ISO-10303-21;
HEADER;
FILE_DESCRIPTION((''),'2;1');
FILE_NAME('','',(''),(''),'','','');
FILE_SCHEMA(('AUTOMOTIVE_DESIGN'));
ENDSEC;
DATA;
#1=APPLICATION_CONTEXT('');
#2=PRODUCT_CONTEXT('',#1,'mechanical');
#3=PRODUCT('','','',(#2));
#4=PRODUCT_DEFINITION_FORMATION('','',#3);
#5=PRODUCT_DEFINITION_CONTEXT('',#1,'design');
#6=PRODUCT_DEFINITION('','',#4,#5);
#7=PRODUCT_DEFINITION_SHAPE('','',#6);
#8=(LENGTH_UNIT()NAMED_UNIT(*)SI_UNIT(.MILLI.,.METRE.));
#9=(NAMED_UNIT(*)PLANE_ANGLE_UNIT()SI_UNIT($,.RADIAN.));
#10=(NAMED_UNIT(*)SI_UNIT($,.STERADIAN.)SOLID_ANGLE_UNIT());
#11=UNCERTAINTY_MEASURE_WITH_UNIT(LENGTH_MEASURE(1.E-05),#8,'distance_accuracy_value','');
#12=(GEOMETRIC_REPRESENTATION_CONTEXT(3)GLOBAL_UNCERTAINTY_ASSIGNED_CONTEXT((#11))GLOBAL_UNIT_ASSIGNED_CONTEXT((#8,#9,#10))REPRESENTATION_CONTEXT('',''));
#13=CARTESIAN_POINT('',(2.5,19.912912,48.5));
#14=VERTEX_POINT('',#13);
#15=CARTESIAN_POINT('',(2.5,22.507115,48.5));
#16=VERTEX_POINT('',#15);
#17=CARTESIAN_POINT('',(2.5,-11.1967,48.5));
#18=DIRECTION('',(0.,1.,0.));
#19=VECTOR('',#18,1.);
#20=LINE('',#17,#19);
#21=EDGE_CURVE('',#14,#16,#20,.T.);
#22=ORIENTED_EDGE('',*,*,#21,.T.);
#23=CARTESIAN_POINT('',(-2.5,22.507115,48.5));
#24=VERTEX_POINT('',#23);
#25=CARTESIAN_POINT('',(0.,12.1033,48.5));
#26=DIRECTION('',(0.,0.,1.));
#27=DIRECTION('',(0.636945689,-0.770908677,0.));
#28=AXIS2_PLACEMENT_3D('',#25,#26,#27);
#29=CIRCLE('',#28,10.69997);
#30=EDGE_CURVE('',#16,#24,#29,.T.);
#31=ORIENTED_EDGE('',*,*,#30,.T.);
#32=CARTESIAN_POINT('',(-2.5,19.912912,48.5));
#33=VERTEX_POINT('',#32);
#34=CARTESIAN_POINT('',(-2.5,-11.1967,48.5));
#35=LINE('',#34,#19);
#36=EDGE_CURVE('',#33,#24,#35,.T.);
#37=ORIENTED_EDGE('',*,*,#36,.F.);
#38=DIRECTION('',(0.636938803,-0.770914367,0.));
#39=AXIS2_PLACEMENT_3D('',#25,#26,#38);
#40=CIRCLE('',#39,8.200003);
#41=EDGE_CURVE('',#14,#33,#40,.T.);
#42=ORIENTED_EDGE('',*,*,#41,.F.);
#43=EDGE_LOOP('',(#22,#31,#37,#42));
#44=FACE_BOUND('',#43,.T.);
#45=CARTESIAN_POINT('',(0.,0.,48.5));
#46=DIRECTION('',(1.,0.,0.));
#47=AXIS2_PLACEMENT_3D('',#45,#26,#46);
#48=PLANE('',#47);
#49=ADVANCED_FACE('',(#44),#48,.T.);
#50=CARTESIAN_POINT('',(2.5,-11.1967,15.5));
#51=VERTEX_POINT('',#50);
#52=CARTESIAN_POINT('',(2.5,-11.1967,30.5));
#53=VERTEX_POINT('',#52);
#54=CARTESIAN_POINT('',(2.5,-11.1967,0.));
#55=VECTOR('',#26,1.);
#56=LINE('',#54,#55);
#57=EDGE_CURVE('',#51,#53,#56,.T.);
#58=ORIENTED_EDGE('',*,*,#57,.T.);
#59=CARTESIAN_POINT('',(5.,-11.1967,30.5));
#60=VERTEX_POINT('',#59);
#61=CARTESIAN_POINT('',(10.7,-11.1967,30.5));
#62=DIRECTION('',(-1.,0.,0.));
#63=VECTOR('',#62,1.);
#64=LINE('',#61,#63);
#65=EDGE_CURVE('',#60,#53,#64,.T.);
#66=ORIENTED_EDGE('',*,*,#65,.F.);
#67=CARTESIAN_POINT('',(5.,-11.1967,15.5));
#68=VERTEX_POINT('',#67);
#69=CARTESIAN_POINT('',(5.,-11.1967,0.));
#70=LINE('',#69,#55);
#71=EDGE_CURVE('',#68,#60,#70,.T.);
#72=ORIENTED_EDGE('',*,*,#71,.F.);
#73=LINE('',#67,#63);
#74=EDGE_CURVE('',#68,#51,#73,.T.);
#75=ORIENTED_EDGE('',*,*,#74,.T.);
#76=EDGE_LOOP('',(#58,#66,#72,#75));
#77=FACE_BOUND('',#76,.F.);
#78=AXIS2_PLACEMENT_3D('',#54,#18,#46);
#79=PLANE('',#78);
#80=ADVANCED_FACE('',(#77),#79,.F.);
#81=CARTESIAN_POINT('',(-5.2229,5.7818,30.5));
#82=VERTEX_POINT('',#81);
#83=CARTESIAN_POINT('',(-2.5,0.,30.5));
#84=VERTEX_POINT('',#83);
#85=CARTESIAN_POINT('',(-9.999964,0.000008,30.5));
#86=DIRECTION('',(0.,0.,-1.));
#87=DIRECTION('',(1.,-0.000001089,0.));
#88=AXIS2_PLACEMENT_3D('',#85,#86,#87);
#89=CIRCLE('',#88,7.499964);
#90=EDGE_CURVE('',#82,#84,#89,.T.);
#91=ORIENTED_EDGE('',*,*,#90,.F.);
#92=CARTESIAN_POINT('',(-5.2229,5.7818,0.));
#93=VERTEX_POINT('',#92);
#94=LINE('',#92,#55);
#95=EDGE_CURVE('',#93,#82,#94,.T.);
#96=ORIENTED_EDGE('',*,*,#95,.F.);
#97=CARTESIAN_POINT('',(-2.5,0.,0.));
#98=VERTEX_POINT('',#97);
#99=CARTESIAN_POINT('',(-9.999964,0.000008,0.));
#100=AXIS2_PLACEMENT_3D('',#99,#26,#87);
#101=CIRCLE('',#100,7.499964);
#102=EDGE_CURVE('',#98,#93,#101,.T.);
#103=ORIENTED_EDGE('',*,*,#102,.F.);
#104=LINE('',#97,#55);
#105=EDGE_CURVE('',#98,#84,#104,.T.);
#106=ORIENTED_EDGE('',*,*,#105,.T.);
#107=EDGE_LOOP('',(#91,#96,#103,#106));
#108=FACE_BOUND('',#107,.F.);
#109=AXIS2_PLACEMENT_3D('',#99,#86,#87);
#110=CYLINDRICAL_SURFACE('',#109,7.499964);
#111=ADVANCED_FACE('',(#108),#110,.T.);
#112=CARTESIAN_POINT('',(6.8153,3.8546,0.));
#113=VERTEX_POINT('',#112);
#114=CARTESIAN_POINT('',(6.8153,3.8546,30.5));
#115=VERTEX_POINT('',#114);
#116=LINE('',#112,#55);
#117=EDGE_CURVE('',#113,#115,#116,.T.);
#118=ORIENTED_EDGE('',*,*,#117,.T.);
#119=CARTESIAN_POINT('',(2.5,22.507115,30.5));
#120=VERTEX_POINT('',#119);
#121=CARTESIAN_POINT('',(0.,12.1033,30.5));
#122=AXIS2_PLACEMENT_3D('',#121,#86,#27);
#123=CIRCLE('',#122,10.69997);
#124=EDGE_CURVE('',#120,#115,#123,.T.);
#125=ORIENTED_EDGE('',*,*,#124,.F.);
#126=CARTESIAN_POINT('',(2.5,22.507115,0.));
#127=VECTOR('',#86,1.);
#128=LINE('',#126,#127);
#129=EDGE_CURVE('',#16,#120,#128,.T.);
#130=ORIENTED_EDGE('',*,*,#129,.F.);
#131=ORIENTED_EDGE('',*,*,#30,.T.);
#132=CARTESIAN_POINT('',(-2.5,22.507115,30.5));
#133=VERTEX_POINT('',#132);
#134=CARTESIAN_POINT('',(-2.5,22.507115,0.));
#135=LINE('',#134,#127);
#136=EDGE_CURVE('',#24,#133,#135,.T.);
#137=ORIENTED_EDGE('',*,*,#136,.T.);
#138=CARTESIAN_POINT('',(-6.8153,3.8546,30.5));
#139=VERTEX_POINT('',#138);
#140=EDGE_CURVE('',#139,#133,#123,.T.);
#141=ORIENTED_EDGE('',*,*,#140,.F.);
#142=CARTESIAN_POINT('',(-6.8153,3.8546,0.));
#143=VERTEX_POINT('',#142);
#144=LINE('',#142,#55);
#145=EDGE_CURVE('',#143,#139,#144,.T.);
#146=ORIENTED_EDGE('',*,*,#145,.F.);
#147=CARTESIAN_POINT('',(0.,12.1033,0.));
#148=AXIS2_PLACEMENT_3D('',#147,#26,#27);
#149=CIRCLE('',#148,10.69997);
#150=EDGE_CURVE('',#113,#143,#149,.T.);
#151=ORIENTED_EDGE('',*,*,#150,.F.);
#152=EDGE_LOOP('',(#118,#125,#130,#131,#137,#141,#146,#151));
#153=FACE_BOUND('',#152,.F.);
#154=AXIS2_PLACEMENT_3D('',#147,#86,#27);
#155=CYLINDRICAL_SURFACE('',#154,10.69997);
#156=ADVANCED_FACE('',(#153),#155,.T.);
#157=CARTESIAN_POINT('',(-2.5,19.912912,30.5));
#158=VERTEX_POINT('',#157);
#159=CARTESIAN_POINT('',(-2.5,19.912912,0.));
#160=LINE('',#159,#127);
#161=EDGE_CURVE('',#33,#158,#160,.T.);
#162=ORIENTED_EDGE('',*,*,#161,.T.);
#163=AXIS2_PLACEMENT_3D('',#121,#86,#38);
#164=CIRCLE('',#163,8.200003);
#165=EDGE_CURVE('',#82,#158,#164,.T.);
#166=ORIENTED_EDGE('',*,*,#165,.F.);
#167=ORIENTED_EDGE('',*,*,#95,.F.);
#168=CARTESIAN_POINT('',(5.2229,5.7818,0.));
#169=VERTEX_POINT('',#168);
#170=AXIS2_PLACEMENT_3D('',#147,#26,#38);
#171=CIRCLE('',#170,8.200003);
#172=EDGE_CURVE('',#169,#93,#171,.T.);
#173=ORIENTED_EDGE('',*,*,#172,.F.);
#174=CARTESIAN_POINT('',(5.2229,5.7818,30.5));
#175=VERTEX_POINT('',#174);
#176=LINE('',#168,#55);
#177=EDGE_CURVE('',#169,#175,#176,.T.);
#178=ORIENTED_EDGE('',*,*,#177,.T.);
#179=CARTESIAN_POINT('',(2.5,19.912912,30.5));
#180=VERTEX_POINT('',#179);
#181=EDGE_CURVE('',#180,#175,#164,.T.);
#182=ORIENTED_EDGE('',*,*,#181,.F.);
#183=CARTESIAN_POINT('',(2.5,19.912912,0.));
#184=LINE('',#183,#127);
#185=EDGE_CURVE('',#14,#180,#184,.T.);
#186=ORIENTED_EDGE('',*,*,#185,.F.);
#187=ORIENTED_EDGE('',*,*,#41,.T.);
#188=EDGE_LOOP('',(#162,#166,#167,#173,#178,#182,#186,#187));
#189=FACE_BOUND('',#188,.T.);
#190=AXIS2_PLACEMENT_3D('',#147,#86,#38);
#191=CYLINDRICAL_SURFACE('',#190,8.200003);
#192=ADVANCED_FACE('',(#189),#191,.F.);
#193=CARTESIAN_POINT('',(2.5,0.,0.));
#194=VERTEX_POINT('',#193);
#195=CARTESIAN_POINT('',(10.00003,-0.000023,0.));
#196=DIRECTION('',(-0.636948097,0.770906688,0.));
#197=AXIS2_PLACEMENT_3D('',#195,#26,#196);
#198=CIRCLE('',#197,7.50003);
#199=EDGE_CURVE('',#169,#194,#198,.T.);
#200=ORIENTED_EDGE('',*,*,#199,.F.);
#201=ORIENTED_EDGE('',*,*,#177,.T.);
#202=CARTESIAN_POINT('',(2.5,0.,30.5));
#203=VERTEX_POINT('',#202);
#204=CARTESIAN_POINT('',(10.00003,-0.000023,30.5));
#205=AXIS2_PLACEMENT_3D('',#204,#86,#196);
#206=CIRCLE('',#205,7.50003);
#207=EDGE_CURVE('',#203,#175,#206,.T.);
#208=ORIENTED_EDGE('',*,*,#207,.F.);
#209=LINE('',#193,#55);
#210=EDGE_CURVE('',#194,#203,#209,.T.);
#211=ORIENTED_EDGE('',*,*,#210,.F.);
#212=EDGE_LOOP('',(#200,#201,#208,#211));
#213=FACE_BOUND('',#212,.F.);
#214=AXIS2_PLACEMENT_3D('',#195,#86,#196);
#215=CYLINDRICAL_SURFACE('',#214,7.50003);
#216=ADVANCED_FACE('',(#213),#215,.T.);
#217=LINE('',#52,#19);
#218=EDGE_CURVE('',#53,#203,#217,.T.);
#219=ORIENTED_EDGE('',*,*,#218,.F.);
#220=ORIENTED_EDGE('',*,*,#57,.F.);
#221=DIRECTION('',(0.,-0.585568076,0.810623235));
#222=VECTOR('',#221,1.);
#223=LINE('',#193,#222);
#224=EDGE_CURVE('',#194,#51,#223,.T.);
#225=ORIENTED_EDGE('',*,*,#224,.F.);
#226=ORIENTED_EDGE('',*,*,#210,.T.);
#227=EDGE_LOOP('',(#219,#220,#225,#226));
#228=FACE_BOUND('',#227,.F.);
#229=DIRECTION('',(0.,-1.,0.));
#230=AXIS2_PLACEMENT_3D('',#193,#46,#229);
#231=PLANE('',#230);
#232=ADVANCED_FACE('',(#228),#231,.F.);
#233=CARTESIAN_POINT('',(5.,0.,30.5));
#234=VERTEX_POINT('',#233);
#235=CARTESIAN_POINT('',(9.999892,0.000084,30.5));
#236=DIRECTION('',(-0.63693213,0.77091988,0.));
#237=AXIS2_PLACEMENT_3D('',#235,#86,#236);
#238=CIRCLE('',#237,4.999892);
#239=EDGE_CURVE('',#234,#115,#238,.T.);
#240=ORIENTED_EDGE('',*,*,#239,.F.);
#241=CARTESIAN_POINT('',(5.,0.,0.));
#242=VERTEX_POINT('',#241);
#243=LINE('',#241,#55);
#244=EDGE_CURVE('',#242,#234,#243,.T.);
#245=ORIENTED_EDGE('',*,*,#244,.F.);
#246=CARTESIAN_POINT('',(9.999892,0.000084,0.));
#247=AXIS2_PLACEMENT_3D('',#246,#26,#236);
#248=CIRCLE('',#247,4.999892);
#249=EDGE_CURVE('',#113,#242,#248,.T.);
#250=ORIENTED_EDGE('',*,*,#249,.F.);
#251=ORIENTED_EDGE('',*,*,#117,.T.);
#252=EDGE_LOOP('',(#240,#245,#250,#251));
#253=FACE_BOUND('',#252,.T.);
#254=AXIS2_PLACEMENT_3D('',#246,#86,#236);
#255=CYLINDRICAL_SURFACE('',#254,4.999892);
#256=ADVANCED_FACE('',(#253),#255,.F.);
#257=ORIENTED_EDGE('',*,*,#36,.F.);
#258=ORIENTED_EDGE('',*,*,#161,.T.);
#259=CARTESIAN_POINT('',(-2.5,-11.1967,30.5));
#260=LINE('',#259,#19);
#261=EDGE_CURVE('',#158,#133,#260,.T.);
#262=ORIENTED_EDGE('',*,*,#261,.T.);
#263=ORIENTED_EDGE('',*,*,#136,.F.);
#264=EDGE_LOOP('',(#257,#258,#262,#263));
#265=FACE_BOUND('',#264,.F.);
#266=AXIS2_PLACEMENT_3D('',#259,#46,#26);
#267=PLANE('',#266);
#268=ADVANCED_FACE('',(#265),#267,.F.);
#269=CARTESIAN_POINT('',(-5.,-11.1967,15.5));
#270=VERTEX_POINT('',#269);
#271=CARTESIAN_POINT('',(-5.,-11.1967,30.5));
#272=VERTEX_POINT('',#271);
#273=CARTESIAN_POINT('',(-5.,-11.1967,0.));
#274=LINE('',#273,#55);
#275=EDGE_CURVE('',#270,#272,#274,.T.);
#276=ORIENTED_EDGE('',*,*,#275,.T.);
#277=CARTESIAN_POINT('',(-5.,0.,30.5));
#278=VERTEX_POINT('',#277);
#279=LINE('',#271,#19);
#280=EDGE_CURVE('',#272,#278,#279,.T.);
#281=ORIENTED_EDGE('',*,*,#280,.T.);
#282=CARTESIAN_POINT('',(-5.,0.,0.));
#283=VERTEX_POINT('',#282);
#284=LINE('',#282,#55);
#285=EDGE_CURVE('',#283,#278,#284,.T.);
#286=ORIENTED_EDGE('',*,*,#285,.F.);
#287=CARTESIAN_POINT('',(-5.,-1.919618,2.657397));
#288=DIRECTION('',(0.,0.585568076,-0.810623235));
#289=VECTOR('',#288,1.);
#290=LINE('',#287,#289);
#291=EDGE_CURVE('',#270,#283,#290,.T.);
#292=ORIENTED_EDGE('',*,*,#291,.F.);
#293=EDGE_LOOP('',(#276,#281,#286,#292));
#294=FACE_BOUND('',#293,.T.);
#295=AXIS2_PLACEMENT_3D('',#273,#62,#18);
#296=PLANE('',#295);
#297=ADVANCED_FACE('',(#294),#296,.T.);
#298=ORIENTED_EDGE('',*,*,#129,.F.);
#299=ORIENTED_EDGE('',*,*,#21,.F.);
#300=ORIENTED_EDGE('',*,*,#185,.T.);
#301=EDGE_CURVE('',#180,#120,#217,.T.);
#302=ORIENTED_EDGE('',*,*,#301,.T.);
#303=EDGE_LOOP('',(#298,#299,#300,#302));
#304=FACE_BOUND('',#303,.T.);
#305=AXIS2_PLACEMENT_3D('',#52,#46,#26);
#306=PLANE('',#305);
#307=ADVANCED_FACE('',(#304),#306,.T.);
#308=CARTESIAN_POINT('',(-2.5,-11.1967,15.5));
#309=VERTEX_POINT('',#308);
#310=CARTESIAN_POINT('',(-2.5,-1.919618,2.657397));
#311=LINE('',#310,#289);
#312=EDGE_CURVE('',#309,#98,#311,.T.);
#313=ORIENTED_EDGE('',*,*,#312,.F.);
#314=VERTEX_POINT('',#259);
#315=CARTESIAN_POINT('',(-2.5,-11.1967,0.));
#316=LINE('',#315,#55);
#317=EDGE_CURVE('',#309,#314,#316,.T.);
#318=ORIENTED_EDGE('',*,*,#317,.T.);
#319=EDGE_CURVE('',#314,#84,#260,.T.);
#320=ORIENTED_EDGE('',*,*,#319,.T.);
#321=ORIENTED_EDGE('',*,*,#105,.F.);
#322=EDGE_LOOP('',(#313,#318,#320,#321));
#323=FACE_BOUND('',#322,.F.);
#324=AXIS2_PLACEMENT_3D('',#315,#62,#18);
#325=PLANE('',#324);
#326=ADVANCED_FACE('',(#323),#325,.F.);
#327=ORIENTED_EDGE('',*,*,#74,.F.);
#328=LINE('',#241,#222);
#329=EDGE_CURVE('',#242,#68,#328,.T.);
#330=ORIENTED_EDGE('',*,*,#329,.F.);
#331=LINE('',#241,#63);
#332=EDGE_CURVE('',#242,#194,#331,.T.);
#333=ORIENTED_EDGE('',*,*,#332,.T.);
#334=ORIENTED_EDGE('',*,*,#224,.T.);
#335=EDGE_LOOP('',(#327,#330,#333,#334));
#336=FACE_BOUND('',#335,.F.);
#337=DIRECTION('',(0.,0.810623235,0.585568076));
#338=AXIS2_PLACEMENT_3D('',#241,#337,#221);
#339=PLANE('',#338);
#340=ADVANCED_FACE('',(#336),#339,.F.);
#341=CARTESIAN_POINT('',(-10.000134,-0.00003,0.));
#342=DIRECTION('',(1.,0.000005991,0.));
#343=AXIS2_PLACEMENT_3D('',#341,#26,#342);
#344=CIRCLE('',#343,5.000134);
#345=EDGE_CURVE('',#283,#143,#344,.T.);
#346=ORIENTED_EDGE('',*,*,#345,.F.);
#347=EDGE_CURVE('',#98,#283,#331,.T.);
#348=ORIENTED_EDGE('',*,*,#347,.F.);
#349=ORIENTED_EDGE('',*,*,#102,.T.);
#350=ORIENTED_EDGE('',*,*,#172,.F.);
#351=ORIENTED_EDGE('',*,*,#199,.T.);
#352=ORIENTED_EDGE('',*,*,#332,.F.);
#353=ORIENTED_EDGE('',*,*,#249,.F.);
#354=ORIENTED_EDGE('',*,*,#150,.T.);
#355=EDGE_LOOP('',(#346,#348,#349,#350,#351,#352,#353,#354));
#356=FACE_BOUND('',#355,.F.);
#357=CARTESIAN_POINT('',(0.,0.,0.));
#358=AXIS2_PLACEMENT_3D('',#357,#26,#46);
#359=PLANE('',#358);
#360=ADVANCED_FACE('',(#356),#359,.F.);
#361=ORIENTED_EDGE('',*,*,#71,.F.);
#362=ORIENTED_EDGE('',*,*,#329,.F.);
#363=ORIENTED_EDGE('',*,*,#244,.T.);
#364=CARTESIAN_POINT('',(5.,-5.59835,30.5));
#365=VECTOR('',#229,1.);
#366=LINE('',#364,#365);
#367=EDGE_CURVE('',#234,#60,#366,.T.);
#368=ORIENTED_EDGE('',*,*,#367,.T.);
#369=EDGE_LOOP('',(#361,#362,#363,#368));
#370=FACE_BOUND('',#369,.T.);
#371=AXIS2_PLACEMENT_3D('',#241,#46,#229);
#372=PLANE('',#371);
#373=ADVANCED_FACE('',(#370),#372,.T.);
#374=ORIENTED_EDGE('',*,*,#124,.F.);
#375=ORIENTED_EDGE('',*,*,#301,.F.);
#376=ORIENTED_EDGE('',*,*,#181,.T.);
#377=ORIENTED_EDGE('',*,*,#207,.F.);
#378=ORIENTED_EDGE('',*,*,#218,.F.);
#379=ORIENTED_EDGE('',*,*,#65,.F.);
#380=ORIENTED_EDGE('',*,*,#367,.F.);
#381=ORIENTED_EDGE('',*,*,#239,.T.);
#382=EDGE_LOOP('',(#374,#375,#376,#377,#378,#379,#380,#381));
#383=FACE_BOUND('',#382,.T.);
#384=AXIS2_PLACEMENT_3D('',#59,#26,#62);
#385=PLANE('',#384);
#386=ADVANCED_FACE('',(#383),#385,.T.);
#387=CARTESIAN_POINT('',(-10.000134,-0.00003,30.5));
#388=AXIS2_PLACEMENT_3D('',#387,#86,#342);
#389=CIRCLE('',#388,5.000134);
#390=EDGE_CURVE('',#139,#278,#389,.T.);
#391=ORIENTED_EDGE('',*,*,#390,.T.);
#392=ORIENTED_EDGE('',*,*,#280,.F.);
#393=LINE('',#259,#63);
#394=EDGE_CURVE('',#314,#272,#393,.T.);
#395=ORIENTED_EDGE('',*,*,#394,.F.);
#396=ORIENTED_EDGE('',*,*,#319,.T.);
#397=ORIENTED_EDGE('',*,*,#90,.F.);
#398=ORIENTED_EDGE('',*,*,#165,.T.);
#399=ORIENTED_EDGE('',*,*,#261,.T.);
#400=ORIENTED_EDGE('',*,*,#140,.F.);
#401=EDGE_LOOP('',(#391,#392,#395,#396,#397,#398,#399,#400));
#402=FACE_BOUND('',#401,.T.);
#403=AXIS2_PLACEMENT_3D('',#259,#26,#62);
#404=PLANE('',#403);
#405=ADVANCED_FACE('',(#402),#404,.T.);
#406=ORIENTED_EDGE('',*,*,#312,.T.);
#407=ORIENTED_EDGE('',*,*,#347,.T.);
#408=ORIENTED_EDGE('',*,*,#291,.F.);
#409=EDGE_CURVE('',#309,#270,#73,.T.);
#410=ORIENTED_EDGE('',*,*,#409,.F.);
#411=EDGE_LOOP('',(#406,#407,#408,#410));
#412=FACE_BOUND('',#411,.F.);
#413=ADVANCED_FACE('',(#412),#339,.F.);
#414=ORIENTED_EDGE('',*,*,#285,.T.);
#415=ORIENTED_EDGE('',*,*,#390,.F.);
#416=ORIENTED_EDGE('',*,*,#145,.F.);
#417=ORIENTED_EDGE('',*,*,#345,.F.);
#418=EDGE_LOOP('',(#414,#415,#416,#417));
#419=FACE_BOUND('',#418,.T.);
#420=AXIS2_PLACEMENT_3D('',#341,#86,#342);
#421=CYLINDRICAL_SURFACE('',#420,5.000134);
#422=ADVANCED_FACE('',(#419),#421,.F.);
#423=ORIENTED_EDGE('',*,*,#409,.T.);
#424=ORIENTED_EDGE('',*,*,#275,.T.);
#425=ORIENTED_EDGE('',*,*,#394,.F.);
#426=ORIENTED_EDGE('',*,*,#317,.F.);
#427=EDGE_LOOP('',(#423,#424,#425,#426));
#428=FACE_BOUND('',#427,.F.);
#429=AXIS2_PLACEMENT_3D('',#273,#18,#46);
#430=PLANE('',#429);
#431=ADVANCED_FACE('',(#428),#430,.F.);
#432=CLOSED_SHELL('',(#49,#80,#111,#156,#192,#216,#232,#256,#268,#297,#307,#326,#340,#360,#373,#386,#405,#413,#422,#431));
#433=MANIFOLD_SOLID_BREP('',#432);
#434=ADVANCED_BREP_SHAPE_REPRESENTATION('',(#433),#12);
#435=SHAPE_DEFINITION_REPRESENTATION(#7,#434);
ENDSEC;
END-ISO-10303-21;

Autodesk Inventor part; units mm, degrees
ref_plane "YZ Plane" through (0, 0, 0) normal (1, 0, 0) x (0, 1, 0)
ref_plane "XZ Plane" through (0, 0, 0) normal (0, 1, 0) x (-1, 0, 0)
ref_plane "XY Plane" through (0, 0, 0) normal (0, 0, 1) x (1, 0, 0)
sketch "Sketch1" plane through (0, 0, 0) normal (0, 0, 1) x (1, 0, 0)
  line L0 (-5, -11.1967) -> (-5, 0)
  arc A0 (-5, 0) -> (-6.8153, 3.8546) centre (-10, 0) ccw
  arc A1 (6.8153, 3.8546) -> (-6.8153, 3.8546) centre (0, 12.1033) ccw
  arc A2 (6.8153, 3.8546) -> (5, 0) centre (10, 0) ccw
  line L1 (5, 0) -> (5, -11.1967)
  line L2 (-2.5, -11.1967) -> (-2.5, 0)
  arc A3 (-2.5, 0) -> (-5.2229, 5.7818) centre (-10, 0) ccw
  arc A4 (5.2229, 5.7818) -> (-5.2229, 5.7818) centre (0, 12.1033) ccw
  arc A5 (5.2229, 5.7818) -> (2.5, 0) centre (10, 0) ccw
  line L3 (2.5, 0) -> (2.5, -11.1967)
  line L4 (-5, -11.1967) -> (-2.5, -11.1967)
  line L5 (2.5, -11.1967) -> (5, -11.1967)
  point P0 (0, 0)
  dimension "d2" = 10.7
  dimension "d4" = 10
  dimension "d5" = 5
  dimension "d7" = 2.5
  dimension "d16" = 34
extrude "Extrusion1" add sketch "Sketch1" along normal blind 48.5
sketch "Sketch2" plane through (-5, -11.1967, 0) normal (0, -1, 0) x (1, 0, 0)
  line L0 (2.5, 0) -> (0, 0) projected
  line L1 (2.5, 0) -> (2.5, 48.5) projected
  line L2 (0, 48.5) -> (2.5, 48.5) projected
  line L3 (0, 0) -> (0, 48.5) projected
  line L4 (10, 0) -> (7.5, 0) projected
  line L5 (10, 0) -> (10, 48.5) projected
  line L6 (7.5, 48.5) -> (10, 48.5) projected
  line L7 (7.5, 0) -> (7.5, 48.5) projected
  line L8 (-5.7, 0) -> (-5.7, 48.5) projected
  line L9 (15.7, 0) -> (15.7, 48.5) projected
  line L10 (-5.7, 48.5) -> (2.5, 48.5)
  line L11 (2.5, 48.5) -> (2.5, 30.5)
  line L12 (2.5, 30.5) -> (-5.7, 30.5)
  line L13 (-5.7, 30.5) -> (-5.7, 48.5)
  line L14 (7.5, 48.5) -> (15.7, 48.5)
  line L15 (15.7, 48.5) -> (15.7, 30.5)
  line L16 (15.7, 30.5) -> (7.5, 30.5)
  line L17 (7.5, 30.5) -> (7.5, 48.5)
  point P0 (5, 0)
  point P1 (-1.6, 30.5)
  dimension "d10" = 18
extrude "Extrusion2" cut sketch "Sketch2" against normal blind 48.5 contours L12 L3 L2 L1 | L12 L8 L10 L3 | L16 L7 L6 L5 | L5 L14 L9 L16
sketch "Sketch3" plane through (5, -11.1967, 0) normal (1, 0, 0) x (0, 0, -1)
  line L0 (0, 0) -> (0, 11.1967)
  line L1 (0, 11.1967) -> (-15.5, 0)
  line L2 (-15.5, 0) -> (0, 0)
  line L3 (0, 11.1967) -> (0, 0) projected
  line L4 (0, 0) -> (-30.5, 0) projected
  dimension "d18" = 15.5
extrude "Extrusion3" cut sketch "Sketch3" against normal blind 48.5
equation "\"BendRadius\" = Thickness"
equation "\"BendReliefWidth\" = Thickness"
equation "\"BendReliefDepth\" = 0.5 * Thickness"
equation "\"MinimumRemnant\" = 2 * Thickness"
equation "\"TransitionRadius\" = BendRadius"
equation "\"JacobiRadiusSize\" = BendRadius"
equation "\"GapSize\" = Thickness"
equation "\"Thickness\" = 2.5"
properties material "Iron, Gray"
